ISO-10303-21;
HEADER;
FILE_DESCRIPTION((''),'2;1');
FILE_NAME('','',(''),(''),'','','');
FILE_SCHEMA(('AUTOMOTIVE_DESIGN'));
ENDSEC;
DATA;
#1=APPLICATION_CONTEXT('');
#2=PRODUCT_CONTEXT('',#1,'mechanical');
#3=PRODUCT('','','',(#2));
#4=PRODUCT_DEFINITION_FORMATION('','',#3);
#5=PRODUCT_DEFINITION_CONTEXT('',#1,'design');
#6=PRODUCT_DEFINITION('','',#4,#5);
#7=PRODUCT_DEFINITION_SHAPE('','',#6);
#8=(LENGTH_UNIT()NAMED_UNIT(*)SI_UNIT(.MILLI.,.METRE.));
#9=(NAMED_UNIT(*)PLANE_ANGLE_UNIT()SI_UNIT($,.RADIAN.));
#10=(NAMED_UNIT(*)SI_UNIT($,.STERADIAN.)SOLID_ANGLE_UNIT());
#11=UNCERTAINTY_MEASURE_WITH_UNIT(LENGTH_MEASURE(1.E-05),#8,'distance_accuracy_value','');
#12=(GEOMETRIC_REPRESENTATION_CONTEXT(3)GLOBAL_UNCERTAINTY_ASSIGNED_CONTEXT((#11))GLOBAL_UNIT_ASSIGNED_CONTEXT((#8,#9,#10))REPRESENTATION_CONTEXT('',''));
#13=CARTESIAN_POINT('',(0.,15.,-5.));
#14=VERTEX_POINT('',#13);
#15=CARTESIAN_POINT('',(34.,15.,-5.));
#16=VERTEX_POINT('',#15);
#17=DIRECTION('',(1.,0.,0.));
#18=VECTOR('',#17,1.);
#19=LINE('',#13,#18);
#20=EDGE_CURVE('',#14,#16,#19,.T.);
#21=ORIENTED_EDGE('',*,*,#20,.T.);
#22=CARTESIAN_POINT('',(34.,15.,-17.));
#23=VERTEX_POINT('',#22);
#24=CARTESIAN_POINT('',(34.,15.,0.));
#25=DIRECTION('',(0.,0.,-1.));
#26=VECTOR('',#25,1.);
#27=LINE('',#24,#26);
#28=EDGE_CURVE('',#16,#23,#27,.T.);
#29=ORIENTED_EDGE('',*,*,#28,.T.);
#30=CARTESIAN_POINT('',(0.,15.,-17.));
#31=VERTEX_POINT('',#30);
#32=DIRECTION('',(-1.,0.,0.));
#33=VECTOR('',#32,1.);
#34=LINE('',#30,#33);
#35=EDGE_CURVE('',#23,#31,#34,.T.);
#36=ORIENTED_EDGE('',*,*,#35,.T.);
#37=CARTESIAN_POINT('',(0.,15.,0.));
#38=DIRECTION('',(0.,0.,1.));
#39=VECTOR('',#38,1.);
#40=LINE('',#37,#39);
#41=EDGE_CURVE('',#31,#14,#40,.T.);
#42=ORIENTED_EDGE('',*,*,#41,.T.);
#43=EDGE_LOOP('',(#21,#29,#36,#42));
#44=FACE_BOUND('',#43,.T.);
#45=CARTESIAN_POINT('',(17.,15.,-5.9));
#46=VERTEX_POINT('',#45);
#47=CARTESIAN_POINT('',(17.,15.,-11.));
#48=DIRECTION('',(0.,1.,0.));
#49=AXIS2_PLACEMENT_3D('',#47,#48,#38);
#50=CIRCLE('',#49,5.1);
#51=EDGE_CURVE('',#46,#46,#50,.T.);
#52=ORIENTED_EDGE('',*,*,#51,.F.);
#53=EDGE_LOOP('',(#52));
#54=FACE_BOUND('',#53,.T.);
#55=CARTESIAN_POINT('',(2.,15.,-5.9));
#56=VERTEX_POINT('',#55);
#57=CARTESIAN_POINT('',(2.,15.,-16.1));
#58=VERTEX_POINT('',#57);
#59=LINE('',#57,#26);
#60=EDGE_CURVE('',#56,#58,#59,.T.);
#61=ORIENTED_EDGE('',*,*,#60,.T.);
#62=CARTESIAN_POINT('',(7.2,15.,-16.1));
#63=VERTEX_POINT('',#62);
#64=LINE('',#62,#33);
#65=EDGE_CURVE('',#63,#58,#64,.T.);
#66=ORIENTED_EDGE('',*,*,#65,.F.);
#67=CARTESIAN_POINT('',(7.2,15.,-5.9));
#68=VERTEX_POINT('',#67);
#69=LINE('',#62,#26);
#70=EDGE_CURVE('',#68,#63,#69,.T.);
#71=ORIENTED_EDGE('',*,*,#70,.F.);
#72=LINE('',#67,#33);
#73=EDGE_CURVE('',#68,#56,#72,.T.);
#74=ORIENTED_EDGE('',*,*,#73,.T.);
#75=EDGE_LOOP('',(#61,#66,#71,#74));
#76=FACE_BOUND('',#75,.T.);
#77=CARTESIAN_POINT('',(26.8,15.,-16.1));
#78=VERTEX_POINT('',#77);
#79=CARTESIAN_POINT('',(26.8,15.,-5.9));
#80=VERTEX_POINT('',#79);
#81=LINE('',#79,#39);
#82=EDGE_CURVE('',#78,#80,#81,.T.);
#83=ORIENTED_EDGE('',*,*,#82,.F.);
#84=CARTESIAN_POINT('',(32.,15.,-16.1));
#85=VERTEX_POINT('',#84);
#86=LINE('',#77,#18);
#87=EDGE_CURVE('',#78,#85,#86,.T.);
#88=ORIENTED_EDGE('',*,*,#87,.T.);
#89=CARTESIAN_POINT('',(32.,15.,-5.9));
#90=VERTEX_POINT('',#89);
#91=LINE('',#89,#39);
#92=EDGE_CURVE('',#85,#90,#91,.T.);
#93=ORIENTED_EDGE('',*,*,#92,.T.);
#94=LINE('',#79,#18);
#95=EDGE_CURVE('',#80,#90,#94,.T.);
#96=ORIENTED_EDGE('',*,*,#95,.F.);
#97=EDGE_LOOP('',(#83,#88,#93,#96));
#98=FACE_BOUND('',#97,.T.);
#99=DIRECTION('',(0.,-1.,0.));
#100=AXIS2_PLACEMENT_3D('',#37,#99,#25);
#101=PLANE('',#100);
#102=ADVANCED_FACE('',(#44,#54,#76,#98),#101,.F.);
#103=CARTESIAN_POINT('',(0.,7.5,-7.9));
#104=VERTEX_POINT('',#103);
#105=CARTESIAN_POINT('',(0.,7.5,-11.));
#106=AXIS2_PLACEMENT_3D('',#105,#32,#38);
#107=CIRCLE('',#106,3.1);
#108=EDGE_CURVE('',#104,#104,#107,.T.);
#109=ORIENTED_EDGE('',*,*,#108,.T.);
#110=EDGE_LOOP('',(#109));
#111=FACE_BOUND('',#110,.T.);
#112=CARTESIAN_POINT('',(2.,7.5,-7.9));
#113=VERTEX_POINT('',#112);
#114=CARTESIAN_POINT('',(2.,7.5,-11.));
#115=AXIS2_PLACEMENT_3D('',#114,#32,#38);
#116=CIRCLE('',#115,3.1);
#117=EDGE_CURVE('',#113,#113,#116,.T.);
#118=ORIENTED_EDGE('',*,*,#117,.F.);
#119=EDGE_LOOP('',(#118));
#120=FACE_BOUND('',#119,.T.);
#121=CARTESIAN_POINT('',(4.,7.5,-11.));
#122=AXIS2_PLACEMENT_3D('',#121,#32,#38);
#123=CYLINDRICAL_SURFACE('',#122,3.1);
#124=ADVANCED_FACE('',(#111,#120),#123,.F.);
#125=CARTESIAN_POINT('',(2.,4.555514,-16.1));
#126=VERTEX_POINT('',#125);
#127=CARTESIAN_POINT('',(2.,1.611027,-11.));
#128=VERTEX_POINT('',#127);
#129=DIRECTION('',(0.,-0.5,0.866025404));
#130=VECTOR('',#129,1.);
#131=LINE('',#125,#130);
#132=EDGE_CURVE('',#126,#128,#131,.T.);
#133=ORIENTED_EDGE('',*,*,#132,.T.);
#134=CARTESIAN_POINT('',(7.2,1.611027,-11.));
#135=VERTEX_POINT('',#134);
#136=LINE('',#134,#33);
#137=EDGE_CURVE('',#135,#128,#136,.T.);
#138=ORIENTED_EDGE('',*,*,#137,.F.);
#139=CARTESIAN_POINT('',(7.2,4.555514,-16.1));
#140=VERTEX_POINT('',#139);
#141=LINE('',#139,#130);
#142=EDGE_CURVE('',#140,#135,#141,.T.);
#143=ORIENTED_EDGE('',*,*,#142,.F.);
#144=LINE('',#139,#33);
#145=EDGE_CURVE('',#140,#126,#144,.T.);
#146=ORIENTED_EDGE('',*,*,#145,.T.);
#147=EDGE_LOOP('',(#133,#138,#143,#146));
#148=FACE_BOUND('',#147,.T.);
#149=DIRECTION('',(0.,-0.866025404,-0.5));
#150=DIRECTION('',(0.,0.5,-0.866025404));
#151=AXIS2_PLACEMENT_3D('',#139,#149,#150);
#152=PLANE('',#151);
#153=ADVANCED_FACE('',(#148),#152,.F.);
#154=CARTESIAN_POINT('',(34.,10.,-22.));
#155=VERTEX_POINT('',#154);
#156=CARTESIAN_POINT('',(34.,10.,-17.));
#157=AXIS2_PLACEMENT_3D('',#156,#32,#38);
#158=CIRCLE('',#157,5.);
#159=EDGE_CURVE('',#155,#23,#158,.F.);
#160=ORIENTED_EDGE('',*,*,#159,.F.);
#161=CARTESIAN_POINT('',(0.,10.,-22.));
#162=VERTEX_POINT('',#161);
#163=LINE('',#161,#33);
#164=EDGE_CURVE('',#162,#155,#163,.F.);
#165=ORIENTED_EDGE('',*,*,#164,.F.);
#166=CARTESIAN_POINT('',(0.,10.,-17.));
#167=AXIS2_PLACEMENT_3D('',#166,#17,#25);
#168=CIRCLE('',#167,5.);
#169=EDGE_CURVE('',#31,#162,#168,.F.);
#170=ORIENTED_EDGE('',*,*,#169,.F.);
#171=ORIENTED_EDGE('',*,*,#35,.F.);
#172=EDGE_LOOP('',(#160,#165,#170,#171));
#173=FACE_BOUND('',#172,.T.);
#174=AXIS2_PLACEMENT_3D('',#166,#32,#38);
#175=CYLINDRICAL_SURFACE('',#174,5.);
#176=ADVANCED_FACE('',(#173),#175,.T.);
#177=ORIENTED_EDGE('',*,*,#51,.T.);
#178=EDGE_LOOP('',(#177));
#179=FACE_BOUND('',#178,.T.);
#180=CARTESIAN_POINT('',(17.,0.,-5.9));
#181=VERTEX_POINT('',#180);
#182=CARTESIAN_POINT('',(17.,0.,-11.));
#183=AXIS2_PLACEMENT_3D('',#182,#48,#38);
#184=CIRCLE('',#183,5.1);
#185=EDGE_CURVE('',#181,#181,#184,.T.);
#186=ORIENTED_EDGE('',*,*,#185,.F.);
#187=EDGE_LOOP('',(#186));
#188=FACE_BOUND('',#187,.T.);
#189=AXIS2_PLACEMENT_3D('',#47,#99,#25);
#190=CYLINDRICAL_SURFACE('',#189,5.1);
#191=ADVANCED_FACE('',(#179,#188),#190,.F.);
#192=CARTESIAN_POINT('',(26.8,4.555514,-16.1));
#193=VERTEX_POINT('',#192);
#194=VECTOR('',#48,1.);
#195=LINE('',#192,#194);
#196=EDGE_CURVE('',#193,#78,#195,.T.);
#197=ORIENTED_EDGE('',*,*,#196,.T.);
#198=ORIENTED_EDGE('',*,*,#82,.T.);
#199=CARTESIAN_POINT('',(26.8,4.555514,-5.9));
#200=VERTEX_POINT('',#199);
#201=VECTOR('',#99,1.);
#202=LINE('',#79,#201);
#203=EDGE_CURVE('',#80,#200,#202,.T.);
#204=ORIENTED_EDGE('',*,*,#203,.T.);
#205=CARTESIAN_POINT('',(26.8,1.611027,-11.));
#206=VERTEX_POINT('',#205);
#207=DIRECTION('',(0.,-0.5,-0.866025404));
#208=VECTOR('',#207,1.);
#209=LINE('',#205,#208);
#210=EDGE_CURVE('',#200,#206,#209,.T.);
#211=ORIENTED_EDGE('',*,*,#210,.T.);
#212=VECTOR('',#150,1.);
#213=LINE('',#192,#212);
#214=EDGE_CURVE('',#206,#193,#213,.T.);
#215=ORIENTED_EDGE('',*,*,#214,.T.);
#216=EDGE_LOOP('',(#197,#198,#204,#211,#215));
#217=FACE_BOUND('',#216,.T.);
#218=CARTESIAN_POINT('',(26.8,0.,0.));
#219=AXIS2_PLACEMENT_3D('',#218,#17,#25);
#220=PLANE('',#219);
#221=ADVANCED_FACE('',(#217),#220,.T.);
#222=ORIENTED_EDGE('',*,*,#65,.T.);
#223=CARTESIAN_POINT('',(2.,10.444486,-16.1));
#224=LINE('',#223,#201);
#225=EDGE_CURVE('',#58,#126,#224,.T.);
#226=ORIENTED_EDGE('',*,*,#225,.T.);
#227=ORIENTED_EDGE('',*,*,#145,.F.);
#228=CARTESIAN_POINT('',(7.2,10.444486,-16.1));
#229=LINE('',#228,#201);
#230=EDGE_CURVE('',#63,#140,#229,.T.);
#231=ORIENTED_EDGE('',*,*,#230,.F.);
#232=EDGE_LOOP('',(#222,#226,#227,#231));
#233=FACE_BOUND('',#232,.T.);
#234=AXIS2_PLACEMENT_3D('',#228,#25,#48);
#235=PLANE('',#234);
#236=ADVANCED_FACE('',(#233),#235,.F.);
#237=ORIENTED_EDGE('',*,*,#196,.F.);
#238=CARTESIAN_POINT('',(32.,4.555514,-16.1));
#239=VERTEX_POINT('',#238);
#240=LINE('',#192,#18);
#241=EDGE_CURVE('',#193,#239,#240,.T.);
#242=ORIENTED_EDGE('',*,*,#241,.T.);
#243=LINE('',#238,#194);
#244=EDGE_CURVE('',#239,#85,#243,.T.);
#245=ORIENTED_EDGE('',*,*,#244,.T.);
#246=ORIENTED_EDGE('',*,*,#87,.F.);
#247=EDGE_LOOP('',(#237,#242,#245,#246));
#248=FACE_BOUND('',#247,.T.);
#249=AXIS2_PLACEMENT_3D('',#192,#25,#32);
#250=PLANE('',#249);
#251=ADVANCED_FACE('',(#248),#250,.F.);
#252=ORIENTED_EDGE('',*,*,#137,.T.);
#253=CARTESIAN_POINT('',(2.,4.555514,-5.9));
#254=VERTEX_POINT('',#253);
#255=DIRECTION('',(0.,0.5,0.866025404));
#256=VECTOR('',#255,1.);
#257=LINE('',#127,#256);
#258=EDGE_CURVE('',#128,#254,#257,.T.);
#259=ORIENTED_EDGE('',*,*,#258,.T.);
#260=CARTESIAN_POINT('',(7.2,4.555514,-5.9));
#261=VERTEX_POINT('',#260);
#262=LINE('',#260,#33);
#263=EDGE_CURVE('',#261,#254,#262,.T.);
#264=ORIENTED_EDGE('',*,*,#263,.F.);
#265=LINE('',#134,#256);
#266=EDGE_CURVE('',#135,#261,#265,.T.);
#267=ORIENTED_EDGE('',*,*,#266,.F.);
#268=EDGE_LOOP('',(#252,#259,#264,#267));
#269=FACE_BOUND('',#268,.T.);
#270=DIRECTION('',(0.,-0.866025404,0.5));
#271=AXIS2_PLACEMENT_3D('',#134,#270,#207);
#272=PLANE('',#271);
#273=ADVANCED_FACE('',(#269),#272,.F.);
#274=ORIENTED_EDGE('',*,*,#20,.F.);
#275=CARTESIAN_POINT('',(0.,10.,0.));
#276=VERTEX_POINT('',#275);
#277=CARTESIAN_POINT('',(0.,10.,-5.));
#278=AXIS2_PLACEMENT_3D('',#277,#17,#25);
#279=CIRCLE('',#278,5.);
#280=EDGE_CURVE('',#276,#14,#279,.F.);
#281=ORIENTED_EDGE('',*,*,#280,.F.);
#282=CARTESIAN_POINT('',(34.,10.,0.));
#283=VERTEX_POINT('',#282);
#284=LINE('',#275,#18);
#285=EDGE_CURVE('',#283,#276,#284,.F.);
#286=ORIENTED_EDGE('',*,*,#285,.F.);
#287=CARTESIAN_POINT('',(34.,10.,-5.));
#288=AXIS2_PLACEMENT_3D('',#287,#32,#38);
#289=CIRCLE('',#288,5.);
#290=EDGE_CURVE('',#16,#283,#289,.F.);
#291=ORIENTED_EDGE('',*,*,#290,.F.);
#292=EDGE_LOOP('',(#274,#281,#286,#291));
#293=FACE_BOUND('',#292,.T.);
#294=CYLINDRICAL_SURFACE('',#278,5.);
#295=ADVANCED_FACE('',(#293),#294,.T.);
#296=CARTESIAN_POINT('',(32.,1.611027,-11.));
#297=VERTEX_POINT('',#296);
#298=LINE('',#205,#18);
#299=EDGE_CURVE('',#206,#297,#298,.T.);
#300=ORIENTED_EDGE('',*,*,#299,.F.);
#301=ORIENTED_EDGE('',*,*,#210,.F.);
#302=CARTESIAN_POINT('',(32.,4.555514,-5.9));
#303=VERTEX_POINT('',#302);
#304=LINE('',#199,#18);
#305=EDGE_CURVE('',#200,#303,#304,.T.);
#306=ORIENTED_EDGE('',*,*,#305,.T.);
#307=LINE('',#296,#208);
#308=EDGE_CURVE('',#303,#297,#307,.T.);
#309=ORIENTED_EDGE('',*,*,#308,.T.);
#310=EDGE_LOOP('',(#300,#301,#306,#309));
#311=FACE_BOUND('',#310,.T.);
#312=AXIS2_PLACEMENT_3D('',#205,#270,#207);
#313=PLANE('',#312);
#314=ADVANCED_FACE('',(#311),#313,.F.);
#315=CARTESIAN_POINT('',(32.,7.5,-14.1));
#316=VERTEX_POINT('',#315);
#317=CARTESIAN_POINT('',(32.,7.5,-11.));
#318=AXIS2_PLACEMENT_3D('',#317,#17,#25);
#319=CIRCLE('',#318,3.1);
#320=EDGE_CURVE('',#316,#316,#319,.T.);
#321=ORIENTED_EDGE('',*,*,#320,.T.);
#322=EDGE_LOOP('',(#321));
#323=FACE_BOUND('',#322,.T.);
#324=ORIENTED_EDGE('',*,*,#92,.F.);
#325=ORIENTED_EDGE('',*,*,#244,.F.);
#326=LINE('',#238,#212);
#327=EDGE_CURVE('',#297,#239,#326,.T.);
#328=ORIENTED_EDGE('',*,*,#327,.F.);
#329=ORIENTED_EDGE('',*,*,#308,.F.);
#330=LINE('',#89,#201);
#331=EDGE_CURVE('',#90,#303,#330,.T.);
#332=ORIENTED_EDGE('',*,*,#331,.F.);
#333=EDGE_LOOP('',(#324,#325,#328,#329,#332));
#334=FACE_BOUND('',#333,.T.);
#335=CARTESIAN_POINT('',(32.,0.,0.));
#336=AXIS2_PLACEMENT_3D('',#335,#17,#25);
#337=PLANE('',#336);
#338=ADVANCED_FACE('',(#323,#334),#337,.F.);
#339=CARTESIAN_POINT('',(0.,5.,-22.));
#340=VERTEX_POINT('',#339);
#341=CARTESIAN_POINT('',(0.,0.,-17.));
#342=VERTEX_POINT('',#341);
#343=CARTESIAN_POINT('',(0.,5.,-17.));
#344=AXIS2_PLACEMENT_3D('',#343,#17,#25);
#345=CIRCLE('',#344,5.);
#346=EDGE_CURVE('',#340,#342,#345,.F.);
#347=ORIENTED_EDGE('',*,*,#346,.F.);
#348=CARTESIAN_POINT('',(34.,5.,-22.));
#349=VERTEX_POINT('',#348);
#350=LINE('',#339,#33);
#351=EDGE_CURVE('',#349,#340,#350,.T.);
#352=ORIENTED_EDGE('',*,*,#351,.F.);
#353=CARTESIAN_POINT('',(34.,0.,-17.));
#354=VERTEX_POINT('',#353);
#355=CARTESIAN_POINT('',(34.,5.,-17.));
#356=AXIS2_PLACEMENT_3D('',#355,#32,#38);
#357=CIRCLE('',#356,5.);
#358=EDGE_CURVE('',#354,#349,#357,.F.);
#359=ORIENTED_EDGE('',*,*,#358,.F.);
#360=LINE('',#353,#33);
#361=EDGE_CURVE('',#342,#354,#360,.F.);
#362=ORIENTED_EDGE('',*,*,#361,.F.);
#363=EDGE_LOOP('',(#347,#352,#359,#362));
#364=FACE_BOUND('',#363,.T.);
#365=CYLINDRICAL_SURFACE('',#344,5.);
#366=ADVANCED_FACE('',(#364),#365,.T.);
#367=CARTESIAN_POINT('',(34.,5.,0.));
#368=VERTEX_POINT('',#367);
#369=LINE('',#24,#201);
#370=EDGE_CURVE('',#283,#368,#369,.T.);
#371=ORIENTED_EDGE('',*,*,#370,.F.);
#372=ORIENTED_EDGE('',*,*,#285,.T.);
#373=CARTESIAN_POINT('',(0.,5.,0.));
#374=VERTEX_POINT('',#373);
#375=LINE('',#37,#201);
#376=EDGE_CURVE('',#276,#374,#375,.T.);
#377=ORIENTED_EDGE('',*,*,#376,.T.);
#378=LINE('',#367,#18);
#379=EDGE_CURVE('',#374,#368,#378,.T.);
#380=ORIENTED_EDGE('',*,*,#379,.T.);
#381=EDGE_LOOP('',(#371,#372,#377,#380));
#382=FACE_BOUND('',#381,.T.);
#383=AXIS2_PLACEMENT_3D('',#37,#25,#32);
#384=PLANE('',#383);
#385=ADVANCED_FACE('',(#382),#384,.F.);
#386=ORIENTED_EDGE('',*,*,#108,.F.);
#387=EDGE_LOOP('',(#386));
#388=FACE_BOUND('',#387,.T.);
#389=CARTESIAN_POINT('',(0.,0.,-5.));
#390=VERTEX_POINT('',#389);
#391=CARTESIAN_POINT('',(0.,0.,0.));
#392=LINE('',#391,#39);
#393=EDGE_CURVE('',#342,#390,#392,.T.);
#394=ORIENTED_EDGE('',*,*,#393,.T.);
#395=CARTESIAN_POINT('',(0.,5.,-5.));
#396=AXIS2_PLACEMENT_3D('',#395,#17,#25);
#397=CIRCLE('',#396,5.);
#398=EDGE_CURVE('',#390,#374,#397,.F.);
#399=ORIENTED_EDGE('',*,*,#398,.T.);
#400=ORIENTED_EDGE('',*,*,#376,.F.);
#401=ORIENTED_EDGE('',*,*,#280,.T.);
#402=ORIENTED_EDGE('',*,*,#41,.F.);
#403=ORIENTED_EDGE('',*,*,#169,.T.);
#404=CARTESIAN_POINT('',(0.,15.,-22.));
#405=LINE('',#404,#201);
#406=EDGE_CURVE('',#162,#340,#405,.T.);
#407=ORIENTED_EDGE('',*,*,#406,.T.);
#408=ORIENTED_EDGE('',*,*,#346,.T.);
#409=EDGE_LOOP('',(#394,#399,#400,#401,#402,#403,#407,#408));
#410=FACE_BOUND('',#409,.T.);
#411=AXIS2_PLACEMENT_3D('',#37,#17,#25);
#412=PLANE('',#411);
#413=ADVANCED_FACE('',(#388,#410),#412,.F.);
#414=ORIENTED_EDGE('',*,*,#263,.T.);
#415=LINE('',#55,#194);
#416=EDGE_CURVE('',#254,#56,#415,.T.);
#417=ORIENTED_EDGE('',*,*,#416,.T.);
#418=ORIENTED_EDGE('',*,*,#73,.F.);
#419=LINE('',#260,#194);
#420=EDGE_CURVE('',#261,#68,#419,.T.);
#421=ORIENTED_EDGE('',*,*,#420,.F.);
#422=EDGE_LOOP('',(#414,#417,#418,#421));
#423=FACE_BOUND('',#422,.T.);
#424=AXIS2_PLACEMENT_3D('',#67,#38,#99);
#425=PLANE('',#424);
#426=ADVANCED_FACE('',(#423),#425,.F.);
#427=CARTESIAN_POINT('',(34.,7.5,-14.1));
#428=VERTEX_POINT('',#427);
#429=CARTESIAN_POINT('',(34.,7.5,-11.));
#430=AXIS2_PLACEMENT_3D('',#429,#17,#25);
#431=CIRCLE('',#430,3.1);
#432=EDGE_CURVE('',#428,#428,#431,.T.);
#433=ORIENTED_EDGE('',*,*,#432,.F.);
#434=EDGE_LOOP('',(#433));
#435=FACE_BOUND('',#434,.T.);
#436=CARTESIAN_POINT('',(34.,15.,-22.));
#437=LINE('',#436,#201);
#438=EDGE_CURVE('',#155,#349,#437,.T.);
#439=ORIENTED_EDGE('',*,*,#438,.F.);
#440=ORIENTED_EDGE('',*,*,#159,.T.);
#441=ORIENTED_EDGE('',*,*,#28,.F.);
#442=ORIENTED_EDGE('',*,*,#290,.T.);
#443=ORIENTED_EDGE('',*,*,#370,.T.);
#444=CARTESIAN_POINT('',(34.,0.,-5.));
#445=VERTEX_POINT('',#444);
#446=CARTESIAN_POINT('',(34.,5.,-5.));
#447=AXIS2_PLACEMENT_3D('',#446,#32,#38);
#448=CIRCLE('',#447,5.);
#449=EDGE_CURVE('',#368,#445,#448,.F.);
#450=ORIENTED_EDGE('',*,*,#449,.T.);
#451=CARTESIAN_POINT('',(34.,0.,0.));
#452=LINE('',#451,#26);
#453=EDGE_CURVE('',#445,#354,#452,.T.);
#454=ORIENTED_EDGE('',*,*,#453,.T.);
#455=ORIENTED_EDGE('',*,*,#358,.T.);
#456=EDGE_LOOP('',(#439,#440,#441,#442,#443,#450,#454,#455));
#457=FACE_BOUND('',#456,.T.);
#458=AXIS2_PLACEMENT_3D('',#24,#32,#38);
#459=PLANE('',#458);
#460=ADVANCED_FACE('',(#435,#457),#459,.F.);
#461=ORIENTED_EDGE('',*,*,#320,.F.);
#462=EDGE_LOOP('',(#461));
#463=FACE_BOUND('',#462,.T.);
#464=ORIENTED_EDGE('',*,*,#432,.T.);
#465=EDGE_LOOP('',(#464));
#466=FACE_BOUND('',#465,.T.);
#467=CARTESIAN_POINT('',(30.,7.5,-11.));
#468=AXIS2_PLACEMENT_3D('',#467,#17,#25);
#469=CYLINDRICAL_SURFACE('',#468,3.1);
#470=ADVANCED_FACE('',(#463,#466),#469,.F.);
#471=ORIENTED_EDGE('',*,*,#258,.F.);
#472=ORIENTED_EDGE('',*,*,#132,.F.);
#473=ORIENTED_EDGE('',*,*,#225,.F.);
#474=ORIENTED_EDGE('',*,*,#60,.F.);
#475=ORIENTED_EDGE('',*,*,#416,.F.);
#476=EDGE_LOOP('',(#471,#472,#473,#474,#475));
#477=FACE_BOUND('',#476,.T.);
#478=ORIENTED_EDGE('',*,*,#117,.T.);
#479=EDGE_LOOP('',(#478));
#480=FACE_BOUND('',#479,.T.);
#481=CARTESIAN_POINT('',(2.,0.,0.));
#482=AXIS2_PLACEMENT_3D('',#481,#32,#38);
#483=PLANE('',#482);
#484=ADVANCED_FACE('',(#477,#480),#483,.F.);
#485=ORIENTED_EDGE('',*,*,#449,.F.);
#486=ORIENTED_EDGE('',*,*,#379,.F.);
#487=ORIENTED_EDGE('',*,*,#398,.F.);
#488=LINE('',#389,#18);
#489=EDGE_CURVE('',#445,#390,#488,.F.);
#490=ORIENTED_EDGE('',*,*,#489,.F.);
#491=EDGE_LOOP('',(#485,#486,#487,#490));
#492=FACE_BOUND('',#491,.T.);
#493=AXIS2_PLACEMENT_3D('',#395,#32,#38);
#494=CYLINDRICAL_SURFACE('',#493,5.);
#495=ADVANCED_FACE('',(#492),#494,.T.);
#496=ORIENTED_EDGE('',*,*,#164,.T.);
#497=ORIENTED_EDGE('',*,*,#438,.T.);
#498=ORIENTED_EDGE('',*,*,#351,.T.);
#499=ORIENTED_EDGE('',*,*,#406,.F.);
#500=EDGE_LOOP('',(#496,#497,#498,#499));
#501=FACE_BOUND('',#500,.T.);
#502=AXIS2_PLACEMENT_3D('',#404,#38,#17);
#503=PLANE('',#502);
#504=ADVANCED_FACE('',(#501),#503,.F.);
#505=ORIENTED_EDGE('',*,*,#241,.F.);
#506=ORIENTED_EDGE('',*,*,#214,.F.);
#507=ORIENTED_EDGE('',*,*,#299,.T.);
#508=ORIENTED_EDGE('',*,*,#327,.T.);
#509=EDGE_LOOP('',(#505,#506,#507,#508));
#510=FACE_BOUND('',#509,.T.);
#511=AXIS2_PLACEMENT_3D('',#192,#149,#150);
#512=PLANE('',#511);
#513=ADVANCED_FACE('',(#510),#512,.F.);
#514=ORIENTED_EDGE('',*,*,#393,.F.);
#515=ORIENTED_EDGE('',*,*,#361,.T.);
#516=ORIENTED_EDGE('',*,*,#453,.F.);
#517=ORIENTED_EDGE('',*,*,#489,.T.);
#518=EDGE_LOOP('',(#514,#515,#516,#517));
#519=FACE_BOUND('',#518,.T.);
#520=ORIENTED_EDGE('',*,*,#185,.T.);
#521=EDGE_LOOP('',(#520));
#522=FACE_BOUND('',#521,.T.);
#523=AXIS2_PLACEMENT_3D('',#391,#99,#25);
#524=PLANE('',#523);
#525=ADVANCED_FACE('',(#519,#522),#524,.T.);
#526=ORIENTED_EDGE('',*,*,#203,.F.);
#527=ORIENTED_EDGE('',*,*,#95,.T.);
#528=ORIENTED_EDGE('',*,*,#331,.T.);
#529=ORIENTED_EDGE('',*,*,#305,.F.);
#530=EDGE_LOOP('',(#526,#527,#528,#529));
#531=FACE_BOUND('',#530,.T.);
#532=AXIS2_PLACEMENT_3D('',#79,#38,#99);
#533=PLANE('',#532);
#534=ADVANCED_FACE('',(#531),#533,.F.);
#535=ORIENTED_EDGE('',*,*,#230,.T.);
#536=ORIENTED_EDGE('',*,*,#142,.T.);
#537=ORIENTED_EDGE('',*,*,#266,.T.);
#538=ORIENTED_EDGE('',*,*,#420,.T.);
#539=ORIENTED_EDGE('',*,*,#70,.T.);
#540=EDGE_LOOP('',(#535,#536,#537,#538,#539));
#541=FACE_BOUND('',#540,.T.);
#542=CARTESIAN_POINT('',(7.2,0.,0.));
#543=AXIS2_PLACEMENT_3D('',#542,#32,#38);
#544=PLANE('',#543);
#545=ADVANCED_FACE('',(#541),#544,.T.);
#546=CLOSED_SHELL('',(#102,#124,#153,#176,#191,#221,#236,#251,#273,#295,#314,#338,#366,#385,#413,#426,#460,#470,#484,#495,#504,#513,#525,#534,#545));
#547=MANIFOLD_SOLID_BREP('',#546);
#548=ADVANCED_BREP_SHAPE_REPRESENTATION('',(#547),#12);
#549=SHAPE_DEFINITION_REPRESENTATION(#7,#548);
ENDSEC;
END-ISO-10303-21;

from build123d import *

# Parameters (mm, degrees)
CROQUIS1_W              = 34
CROQUIS1_H              = 22
CROQUIS1_R              = 5.1
SALIENTE_EXTRUIR1_DEPTH = 15
CORTAR_EXTRUIR1_DEPTH   = 5.2
CORTAR_EXTRUIR2_DEPTH   = 5.2
CROQUIS5_R              = 3.1
CORTAR_EXTRUIR4_DEPTH   = 4
CORTAR_EXTRUIR5_START   = -4
CROQUIS6_R              = 3.1
CORTAR_EXTRUIR5_DEPTH   = 4
REDONDEO1_R             = 5


with BuildPart() as part:
    # Croquis1 → Saliente-Extruir1 (new body)
    with BuildSketch(Plane(origin=(0, 0, 0), x_dir=(1, 0, 0), z_dir=(0, 1, 0))):
        with Locations((17, 11)):
            Rectangle(CROQUIS1_W, CROQUIS1_H)
        with Locations(Location((17, 11, 0), (0, 0, 270))):
            Circle(CROQUIS1_R, mode=Mode.SUBTRACT)
    extrude(amount=SALIENTE_EXTRUIR1_DEPTH)

    # Croquis2 → Cortar-Extruir1 (cut)
    with BuildSketch(Plane.ZY.offset(-2)):
        Polygon((-16.1, 10.444486373), (-16.1, 15), (-5.9, 15), (-5.9, 10.444486373), (-5.9, 4.555513627), (-11, 1.611027254), (-16.1, 4.555513627), align=None)
    extrude(amount=-CORTAR_EXTRUIR1_DEPTH, mode=Mode.SUBTRACT)

    # Croquis3 → Cortar-Extruir2 (cut)
    with BuildSketch(Plane(origin=(32, 0, 0), x_dir=(0, 0, -1), z_dir=(1, 0, 0))):
        Polygon((5.9, 15), (5.9, 4.555513627), (11, 1.611027254), (16.1, 4.555513627), (16.1, 15), align=None)
    extrude(amount=-CORTAR_EXTRUIR2_DEPTH, mode=Mode.SUBTRACT)

    # Croquis5 → Cortar-Extruir4 (cut)
    with BuildSketch(Plane(origin=(34, 0, 0), x_dir=(0, 0, -1), z_dir=(1, 0, 0))):
        with Locations((11, 7.5)):
            Circle(CROQUIS5_R)
    extrude(amount=-CORTAR_EXTRUIR4_DEPTH, mode=Mode.SUBTRACT)

    # Croquis6 → Cortar-Extruir5 (cut)
    with BuildSketch(Plane.ZY.offset(CORTAR_EXTRUIR5_START)):
        with Locations(Location((-11, 7.5, 0), (0, 0, 180))):
            Circle(CROQUIS6_R)
    extrude(amount=CORTAR_EXTRUIR5_DEPTH, mode=Mode.SUBTRACT)

    # Redondeo1
    redondeo1_edges = [part.edges().sort_by_distance(p)[0] for p in [
        (17, 15, -22),
        (17, 0, -22),
        (17, 0, 0),
        (17, 15, 0),
    ]]
    fillet(redondeo1_edges, radius=REDONDEO1_R)


solid = part.part
